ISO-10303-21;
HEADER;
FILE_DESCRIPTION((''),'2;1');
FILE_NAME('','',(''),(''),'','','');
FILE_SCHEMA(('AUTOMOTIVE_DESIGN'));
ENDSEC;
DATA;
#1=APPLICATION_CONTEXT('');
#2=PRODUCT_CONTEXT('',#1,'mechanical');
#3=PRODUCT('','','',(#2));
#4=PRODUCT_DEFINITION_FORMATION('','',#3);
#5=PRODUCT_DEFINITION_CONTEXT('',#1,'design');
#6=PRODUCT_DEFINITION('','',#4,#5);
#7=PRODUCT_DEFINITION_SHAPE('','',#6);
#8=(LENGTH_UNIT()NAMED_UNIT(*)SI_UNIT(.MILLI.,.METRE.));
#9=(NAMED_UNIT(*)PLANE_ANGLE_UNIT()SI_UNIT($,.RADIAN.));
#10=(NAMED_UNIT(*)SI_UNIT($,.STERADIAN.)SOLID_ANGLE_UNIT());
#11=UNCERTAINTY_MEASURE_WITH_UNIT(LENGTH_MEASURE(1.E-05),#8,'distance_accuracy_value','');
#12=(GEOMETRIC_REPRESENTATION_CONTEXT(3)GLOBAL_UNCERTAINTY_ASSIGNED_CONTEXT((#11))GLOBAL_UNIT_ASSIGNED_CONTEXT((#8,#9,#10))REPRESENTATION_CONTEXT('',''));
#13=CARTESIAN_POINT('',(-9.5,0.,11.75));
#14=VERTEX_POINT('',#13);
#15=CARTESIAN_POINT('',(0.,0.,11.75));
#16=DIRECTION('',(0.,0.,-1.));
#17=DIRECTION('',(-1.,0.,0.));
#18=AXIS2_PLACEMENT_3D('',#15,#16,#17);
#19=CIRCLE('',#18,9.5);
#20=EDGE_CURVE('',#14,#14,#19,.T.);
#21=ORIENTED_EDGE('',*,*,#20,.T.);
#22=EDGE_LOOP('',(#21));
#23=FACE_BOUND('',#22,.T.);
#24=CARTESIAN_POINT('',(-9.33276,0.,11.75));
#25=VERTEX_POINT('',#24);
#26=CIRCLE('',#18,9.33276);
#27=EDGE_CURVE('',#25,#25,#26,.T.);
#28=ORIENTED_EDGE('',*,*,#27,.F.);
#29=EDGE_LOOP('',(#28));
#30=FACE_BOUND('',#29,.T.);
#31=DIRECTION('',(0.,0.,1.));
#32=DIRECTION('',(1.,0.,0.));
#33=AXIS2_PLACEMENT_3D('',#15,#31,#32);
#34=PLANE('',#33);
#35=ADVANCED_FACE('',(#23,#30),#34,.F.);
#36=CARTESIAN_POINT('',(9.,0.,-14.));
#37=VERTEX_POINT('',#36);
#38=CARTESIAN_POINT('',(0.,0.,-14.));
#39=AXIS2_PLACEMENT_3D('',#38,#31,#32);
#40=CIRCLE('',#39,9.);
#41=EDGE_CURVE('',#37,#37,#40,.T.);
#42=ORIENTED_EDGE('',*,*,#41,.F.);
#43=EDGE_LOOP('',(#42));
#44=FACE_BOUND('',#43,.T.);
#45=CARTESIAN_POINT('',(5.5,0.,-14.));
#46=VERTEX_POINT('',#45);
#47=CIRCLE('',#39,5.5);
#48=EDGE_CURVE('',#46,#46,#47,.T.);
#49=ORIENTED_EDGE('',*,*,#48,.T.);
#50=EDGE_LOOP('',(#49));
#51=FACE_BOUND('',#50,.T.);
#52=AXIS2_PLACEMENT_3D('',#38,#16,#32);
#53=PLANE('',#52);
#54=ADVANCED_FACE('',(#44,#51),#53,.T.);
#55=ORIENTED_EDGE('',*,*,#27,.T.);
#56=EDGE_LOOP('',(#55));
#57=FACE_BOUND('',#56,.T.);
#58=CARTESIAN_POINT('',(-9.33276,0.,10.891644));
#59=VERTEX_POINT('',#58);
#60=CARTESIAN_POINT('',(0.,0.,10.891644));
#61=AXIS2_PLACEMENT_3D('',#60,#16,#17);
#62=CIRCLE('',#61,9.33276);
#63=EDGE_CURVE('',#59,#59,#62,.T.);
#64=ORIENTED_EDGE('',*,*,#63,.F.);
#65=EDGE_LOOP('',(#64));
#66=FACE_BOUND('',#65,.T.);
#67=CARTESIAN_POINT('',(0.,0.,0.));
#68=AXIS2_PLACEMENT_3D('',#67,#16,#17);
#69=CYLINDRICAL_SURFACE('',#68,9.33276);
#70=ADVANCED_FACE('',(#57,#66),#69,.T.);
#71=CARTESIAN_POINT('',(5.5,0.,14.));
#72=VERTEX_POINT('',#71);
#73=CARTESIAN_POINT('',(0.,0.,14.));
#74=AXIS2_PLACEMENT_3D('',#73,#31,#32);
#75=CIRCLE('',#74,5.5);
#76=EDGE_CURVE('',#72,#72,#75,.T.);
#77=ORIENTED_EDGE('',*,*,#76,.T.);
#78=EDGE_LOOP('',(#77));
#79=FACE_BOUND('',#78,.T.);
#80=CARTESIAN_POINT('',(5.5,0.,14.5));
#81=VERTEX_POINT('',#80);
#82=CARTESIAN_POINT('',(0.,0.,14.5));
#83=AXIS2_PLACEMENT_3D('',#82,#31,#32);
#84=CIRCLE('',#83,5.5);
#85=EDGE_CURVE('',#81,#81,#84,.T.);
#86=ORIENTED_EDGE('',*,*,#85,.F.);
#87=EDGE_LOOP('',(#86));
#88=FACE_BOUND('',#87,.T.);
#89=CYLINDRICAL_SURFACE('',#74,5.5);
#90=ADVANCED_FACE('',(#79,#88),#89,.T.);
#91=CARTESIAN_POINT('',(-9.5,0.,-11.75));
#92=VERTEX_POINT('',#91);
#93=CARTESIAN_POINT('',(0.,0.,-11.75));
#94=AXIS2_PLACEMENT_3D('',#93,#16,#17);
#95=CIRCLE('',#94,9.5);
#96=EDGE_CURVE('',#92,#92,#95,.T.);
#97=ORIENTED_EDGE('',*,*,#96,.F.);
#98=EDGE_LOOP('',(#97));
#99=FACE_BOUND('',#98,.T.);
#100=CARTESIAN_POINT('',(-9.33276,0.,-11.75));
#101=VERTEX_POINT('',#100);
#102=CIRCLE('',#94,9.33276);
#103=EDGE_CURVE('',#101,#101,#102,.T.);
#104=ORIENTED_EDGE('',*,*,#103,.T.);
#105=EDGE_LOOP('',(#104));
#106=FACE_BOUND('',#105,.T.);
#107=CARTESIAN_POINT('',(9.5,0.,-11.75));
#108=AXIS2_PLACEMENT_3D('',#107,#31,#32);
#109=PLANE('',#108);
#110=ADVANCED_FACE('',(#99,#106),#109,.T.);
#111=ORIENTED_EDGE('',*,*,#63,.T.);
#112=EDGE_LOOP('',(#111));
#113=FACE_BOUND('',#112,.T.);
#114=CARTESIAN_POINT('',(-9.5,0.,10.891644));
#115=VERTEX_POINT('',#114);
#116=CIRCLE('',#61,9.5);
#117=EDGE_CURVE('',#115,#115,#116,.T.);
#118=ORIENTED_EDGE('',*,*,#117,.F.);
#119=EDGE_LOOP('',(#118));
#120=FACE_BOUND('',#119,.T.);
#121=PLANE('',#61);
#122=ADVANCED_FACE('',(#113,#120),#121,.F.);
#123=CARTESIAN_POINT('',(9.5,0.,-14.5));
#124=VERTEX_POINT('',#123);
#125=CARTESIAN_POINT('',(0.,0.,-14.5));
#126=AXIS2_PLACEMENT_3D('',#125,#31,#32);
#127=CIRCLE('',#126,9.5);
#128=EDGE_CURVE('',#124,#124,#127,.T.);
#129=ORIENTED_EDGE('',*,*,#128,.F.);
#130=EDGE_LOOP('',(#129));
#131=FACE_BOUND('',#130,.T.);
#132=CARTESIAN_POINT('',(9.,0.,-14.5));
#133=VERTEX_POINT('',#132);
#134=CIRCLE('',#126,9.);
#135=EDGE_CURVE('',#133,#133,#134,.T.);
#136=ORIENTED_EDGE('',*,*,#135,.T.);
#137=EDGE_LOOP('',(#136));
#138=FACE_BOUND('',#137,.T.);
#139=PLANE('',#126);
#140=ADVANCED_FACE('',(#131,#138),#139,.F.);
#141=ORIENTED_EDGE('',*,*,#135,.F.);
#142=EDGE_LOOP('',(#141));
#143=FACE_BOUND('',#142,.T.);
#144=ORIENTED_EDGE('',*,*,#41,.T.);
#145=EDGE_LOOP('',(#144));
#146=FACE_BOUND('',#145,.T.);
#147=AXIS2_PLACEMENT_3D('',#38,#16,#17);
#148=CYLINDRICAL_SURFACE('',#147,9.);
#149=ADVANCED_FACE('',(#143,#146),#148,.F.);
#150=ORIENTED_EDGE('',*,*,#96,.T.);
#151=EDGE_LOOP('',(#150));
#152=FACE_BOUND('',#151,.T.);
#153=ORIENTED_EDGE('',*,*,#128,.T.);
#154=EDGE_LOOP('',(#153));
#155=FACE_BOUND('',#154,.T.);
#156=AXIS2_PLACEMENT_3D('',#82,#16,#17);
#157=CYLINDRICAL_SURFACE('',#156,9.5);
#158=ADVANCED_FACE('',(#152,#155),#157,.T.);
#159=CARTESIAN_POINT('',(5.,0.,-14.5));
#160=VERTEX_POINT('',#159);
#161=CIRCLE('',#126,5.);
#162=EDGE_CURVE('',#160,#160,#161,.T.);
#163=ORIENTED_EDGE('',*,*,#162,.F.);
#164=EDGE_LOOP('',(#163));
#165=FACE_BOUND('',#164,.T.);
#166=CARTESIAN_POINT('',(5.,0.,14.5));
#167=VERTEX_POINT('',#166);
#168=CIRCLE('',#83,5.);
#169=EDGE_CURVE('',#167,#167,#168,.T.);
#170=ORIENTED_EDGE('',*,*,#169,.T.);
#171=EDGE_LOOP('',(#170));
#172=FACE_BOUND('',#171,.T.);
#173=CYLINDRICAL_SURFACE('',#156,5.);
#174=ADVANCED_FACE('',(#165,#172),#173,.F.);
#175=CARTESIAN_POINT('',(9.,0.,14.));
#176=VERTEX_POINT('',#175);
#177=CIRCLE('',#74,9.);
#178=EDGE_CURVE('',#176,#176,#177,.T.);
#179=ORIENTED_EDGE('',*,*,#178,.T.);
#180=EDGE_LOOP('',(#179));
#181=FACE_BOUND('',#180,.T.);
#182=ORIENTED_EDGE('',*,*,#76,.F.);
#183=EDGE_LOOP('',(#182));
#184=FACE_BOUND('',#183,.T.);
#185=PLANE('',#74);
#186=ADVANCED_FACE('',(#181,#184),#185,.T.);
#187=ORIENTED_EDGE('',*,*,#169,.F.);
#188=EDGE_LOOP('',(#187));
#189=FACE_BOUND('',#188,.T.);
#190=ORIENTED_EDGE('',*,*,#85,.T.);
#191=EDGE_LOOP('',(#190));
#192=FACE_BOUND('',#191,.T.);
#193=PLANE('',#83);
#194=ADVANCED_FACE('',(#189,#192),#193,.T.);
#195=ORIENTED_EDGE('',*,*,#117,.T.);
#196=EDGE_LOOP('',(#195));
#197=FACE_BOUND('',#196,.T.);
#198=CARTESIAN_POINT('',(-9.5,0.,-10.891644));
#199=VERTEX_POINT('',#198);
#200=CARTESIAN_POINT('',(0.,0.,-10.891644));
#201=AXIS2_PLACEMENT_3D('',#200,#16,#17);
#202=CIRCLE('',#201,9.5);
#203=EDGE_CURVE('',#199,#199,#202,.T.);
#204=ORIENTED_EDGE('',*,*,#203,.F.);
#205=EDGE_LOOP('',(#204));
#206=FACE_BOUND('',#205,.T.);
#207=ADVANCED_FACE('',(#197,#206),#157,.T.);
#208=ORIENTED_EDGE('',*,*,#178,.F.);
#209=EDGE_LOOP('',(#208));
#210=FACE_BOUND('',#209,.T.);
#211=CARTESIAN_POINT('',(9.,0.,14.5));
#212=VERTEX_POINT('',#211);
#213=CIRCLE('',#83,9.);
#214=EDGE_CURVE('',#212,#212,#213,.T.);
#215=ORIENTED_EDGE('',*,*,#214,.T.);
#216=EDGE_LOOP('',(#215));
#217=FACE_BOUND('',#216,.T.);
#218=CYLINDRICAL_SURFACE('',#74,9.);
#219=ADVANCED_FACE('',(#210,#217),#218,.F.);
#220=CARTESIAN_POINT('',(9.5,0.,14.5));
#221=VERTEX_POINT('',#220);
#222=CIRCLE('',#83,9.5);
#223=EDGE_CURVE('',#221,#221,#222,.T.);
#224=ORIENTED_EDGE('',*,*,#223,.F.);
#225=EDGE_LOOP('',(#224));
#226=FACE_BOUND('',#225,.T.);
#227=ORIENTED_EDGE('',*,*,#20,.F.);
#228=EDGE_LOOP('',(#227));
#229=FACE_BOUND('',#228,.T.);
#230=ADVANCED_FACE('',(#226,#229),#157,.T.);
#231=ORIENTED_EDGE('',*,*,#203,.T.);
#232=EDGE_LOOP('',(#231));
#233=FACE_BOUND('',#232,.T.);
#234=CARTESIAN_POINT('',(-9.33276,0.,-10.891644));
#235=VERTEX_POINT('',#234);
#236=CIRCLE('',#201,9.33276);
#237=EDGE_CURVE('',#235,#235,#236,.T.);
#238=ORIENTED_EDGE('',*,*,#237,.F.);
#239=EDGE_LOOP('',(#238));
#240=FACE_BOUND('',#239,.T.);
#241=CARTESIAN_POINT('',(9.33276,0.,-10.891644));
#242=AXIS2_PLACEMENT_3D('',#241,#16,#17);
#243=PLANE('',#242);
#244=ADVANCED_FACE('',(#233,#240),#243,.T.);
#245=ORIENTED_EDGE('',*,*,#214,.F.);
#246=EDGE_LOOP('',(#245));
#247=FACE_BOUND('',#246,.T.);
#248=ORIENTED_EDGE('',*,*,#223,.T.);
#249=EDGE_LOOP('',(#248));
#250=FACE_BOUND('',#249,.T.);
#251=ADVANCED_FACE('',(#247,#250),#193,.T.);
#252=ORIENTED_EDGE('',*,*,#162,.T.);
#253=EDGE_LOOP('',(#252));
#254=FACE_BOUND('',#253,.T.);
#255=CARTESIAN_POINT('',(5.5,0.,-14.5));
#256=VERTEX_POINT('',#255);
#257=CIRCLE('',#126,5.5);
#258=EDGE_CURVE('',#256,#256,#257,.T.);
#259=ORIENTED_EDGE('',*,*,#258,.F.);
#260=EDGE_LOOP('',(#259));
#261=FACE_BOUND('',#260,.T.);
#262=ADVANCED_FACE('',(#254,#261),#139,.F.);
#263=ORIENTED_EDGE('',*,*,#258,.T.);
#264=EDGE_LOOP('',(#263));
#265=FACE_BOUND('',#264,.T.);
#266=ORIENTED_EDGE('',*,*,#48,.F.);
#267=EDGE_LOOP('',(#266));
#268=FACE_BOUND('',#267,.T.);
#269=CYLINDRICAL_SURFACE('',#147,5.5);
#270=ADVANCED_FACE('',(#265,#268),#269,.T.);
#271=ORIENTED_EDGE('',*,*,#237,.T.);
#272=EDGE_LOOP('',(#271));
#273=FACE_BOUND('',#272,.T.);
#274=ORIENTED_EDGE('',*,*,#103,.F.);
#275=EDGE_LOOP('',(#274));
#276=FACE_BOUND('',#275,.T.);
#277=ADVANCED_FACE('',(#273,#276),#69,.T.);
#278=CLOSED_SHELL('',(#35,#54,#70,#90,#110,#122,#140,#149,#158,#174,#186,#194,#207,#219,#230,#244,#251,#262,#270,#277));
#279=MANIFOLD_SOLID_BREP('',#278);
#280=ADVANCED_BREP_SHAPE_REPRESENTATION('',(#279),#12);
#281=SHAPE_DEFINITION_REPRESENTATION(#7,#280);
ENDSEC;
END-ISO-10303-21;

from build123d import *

# Parameters (mm, degrees)
SKETCH1_R           = 9.5
SKETCH1_R_2         = 5
BOSS_EXTRUDE1_DEPTH = 14.5
SKETCH2_W           = 0.167239634
SKETCH2_H           = 0.858355734
SKETCH3_R           = 9
SKETCH3_R_2         = 5.5
CUT_EXTRUDE1_DEPTH  = 0.5


with BuildPart() as part:
    # Sketch1 → Boss-Extrude1 (new body, symmetric)
    with BuildSketch(Plane.XY):
        Circle(SKETCH1_R)
        Circle(SKETCH1_R_2, mode=Mode.SUBTRACT)
    extrude(amount=BOSS_EXTRUDE1_DEPTH, both=True)

    # Sketch2 → Cut-Revolve1 (revolve, cut)
    with BuildSketch(Plane(origin=(0, 0, 0), x_dir=(1, 0, 0), z_dir=(0, 1, 0))):
        with Locations((9.416380183, -11.320822133)):
            Rectangle(SKETCH2_W, SKETCH2_H)
        with Locations((9.416380183, 11.320822133)):
            Rectangle(SKETCH2_W, SKETCH2_H)
    revolve(axis=Axis((0, 0, 0), (0, 0, 1)), mode=Mode.SUBTRACT)

    # Sketch3 → Cut-Extrude1 (cut)
    with BuildSketch(Plane.XY.offset(14.5)):
        Circle(SKETCH3_R)
        Circle(SKETCH3_R_2, mode=Mode.SUBTRACT)
    cut_extrude1 = extrude(amount=-CUT_EXTRUDE1_DEPTH, mode=Mode.SUBTRACT)

    # Mirror1: Cut-Extrude1 across plane
    add(cut_extrude1.mirror(Plane.XY), mode=Mode.SUBTRACT)


solid = part.part
